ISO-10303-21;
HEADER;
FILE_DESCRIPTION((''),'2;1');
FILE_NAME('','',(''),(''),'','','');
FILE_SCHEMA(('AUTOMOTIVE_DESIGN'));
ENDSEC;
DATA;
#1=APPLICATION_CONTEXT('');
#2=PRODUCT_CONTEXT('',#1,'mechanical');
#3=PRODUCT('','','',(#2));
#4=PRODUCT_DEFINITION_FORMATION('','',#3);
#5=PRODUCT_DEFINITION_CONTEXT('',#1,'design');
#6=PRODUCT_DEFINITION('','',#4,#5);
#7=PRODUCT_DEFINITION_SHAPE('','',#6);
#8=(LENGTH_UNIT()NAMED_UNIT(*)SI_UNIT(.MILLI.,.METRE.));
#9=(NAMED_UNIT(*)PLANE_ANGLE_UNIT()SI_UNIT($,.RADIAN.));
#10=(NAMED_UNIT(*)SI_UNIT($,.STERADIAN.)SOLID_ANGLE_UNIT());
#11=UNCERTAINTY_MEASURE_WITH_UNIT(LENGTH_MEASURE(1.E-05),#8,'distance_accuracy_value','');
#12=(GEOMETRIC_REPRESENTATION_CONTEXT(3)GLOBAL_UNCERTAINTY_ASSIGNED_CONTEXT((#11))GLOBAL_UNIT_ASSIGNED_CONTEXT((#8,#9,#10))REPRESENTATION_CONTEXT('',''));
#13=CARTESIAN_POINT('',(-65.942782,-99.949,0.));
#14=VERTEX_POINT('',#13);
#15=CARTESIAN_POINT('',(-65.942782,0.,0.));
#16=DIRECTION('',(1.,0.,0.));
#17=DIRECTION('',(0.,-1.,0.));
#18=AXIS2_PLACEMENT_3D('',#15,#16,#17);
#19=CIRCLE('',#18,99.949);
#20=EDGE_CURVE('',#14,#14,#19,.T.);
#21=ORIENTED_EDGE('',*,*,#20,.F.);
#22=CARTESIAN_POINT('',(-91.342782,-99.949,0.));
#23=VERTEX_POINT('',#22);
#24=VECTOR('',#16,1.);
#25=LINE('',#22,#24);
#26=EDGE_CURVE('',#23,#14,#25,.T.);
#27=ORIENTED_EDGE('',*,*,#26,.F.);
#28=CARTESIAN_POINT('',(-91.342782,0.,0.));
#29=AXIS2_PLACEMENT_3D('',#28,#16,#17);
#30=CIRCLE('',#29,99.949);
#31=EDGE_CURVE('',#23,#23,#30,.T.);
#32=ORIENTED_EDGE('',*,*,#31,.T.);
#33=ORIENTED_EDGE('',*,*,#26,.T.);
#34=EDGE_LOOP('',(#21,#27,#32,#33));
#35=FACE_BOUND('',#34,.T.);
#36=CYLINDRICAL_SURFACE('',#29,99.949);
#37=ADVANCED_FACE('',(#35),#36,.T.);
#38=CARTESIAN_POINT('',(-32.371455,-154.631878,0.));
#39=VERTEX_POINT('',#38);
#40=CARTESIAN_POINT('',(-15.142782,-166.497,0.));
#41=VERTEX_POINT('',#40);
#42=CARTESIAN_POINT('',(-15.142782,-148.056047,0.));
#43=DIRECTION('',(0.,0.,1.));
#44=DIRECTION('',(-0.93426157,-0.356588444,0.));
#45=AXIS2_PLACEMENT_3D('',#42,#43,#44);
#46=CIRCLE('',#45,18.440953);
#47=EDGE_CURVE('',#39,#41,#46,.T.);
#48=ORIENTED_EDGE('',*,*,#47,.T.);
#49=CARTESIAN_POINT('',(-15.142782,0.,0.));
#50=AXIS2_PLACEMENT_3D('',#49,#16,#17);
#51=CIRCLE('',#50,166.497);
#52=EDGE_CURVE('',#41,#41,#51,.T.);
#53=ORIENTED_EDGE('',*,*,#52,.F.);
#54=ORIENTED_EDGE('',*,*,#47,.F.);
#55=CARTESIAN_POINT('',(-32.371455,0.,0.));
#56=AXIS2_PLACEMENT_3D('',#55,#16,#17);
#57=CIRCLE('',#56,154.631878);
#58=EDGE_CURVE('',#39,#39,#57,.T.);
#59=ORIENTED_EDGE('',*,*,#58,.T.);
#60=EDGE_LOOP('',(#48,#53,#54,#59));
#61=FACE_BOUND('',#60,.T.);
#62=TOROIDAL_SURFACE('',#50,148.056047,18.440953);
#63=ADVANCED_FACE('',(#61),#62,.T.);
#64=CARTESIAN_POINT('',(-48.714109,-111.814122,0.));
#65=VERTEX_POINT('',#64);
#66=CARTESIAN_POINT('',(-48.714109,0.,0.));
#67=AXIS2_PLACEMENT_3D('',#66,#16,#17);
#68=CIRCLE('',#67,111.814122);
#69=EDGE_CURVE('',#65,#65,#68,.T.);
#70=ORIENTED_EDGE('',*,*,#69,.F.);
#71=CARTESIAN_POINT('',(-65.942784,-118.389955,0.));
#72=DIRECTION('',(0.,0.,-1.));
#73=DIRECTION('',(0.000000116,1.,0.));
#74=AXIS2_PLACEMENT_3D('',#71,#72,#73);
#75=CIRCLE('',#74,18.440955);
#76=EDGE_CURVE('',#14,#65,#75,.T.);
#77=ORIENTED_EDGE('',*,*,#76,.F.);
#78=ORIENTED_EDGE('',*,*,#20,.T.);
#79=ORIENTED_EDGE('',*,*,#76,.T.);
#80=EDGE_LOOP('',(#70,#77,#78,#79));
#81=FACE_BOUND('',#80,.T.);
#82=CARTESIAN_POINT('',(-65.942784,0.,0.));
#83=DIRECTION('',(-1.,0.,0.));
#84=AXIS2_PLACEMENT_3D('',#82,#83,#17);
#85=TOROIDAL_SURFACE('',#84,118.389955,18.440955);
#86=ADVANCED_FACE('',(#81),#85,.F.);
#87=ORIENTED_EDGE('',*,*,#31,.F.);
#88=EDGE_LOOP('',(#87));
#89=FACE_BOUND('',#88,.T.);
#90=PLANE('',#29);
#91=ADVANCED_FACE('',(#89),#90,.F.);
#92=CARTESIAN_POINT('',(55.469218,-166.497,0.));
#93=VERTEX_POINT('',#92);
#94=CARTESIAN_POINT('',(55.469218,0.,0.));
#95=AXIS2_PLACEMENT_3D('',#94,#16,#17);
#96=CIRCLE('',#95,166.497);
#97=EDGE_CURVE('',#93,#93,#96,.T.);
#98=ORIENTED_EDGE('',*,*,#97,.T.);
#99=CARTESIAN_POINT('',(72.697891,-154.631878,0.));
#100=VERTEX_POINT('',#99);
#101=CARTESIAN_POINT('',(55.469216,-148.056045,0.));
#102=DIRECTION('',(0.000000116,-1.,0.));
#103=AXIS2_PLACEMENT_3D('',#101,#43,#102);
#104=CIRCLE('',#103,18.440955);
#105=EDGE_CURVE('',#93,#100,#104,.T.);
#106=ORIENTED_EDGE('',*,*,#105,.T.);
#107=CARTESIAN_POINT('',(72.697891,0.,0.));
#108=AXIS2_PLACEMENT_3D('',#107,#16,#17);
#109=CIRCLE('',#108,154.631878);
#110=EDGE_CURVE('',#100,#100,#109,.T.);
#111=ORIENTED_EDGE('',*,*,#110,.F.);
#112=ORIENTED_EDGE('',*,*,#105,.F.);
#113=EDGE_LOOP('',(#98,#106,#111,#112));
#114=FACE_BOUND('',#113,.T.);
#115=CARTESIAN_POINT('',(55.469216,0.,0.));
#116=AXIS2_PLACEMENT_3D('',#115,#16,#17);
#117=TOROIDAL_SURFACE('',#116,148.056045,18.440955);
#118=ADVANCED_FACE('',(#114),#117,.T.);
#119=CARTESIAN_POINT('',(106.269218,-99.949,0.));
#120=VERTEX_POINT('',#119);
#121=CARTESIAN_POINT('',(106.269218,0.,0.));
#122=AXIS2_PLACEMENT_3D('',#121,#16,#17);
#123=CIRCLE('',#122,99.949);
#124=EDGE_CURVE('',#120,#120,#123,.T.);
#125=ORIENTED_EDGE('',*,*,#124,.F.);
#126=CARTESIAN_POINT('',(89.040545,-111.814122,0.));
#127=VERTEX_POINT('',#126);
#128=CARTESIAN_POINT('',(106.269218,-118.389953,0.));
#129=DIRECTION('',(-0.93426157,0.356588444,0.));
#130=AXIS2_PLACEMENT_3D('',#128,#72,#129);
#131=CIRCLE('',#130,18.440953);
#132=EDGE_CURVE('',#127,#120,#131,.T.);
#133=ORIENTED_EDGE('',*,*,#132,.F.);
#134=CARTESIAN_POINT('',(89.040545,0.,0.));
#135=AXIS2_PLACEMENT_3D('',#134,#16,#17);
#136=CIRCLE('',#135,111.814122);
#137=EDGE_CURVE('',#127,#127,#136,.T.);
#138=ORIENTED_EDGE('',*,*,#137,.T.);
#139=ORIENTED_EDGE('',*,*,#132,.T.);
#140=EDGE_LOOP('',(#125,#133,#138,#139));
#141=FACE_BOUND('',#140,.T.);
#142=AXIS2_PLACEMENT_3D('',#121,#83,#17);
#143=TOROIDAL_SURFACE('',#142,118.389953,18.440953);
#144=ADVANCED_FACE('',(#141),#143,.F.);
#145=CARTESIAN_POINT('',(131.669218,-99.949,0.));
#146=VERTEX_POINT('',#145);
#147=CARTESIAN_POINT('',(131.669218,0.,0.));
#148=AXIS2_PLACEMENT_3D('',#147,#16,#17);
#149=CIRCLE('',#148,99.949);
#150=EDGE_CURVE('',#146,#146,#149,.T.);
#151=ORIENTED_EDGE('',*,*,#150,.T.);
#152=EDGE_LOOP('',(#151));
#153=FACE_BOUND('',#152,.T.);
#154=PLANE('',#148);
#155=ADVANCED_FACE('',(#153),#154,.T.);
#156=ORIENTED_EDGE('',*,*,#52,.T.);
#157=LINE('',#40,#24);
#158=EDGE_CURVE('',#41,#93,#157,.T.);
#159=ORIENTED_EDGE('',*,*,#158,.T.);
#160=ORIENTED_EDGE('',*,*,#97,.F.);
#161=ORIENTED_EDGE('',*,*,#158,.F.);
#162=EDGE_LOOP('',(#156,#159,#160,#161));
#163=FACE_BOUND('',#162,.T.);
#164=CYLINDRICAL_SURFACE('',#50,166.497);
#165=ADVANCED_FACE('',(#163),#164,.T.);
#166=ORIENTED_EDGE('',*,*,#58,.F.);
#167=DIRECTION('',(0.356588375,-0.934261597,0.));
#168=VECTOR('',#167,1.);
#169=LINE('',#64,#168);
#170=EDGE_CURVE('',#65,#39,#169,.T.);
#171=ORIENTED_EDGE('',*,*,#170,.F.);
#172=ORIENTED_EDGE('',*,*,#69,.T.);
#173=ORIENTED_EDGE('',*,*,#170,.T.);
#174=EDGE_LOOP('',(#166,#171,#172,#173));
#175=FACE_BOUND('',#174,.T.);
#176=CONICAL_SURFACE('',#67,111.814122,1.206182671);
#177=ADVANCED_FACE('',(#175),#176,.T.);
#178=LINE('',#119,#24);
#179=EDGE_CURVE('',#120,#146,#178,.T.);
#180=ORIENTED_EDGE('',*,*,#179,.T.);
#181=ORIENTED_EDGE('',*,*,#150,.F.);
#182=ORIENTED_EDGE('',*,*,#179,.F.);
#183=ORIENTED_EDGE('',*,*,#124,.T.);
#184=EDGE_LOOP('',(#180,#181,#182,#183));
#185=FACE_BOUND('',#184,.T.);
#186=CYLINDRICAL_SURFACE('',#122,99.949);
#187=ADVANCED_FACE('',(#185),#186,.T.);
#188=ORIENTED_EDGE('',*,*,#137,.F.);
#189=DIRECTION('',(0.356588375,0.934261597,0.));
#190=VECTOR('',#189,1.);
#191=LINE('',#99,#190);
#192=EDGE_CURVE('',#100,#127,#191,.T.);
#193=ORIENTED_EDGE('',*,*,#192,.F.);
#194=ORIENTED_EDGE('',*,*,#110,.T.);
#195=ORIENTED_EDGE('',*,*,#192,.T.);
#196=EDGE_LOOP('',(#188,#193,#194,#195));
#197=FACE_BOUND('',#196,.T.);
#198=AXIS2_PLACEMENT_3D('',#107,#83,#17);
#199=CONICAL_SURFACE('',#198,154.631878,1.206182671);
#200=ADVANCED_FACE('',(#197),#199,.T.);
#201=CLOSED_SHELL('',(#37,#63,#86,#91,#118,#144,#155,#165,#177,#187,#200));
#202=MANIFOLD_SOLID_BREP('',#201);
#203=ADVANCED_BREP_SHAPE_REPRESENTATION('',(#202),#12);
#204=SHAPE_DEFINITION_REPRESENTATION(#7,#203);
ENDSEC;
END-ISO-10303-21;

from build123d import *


with BuildPart() as f1:
    # F0 (on Top) → F1 (revolve)
    with BuildSketch(Plane.XY):
        with BuildLine():
            Line((131.669218, 0), (-91.342782, 0))
            Line((-91.342782, 0), (-91.342782, -99.949))
            Line((-91.342782, -99.949), (-65.942782, -99.949))
            ThreePointArc((-65.942782, -99.949), (-55.483238, -103.202239), (-48.714109, -111.814122))
            Line((-48.714109, -111.814122), (-32.371455, -154.631878))
            ThreePointArc((-32.371455, -154.631878), (-25.602327, -163.243761), (-15.142782, -166.497))
            Line((-15.142782, -166.497), (55.469218, -166.497))
            ThreePointArc((55.469218, -166.497), (65.928762, -163.243761), (72.697891, -154.631878))
            Line((72.697891, -154.631878), (89.040545, -111.814122))
            ThreePointArc((89.040545, -111.814122), (95.809673, -103.202239), (106.269218, -99.949))
            Line((106.269218, -99.949), (131.669218, -99.949))
            Line((131.669218, -99.949), (131.669218, 0))
        make_face()
    revolve(axis=Axis((20.163218, 0, 0), (1, 0, 0)))


solid = f1.part
